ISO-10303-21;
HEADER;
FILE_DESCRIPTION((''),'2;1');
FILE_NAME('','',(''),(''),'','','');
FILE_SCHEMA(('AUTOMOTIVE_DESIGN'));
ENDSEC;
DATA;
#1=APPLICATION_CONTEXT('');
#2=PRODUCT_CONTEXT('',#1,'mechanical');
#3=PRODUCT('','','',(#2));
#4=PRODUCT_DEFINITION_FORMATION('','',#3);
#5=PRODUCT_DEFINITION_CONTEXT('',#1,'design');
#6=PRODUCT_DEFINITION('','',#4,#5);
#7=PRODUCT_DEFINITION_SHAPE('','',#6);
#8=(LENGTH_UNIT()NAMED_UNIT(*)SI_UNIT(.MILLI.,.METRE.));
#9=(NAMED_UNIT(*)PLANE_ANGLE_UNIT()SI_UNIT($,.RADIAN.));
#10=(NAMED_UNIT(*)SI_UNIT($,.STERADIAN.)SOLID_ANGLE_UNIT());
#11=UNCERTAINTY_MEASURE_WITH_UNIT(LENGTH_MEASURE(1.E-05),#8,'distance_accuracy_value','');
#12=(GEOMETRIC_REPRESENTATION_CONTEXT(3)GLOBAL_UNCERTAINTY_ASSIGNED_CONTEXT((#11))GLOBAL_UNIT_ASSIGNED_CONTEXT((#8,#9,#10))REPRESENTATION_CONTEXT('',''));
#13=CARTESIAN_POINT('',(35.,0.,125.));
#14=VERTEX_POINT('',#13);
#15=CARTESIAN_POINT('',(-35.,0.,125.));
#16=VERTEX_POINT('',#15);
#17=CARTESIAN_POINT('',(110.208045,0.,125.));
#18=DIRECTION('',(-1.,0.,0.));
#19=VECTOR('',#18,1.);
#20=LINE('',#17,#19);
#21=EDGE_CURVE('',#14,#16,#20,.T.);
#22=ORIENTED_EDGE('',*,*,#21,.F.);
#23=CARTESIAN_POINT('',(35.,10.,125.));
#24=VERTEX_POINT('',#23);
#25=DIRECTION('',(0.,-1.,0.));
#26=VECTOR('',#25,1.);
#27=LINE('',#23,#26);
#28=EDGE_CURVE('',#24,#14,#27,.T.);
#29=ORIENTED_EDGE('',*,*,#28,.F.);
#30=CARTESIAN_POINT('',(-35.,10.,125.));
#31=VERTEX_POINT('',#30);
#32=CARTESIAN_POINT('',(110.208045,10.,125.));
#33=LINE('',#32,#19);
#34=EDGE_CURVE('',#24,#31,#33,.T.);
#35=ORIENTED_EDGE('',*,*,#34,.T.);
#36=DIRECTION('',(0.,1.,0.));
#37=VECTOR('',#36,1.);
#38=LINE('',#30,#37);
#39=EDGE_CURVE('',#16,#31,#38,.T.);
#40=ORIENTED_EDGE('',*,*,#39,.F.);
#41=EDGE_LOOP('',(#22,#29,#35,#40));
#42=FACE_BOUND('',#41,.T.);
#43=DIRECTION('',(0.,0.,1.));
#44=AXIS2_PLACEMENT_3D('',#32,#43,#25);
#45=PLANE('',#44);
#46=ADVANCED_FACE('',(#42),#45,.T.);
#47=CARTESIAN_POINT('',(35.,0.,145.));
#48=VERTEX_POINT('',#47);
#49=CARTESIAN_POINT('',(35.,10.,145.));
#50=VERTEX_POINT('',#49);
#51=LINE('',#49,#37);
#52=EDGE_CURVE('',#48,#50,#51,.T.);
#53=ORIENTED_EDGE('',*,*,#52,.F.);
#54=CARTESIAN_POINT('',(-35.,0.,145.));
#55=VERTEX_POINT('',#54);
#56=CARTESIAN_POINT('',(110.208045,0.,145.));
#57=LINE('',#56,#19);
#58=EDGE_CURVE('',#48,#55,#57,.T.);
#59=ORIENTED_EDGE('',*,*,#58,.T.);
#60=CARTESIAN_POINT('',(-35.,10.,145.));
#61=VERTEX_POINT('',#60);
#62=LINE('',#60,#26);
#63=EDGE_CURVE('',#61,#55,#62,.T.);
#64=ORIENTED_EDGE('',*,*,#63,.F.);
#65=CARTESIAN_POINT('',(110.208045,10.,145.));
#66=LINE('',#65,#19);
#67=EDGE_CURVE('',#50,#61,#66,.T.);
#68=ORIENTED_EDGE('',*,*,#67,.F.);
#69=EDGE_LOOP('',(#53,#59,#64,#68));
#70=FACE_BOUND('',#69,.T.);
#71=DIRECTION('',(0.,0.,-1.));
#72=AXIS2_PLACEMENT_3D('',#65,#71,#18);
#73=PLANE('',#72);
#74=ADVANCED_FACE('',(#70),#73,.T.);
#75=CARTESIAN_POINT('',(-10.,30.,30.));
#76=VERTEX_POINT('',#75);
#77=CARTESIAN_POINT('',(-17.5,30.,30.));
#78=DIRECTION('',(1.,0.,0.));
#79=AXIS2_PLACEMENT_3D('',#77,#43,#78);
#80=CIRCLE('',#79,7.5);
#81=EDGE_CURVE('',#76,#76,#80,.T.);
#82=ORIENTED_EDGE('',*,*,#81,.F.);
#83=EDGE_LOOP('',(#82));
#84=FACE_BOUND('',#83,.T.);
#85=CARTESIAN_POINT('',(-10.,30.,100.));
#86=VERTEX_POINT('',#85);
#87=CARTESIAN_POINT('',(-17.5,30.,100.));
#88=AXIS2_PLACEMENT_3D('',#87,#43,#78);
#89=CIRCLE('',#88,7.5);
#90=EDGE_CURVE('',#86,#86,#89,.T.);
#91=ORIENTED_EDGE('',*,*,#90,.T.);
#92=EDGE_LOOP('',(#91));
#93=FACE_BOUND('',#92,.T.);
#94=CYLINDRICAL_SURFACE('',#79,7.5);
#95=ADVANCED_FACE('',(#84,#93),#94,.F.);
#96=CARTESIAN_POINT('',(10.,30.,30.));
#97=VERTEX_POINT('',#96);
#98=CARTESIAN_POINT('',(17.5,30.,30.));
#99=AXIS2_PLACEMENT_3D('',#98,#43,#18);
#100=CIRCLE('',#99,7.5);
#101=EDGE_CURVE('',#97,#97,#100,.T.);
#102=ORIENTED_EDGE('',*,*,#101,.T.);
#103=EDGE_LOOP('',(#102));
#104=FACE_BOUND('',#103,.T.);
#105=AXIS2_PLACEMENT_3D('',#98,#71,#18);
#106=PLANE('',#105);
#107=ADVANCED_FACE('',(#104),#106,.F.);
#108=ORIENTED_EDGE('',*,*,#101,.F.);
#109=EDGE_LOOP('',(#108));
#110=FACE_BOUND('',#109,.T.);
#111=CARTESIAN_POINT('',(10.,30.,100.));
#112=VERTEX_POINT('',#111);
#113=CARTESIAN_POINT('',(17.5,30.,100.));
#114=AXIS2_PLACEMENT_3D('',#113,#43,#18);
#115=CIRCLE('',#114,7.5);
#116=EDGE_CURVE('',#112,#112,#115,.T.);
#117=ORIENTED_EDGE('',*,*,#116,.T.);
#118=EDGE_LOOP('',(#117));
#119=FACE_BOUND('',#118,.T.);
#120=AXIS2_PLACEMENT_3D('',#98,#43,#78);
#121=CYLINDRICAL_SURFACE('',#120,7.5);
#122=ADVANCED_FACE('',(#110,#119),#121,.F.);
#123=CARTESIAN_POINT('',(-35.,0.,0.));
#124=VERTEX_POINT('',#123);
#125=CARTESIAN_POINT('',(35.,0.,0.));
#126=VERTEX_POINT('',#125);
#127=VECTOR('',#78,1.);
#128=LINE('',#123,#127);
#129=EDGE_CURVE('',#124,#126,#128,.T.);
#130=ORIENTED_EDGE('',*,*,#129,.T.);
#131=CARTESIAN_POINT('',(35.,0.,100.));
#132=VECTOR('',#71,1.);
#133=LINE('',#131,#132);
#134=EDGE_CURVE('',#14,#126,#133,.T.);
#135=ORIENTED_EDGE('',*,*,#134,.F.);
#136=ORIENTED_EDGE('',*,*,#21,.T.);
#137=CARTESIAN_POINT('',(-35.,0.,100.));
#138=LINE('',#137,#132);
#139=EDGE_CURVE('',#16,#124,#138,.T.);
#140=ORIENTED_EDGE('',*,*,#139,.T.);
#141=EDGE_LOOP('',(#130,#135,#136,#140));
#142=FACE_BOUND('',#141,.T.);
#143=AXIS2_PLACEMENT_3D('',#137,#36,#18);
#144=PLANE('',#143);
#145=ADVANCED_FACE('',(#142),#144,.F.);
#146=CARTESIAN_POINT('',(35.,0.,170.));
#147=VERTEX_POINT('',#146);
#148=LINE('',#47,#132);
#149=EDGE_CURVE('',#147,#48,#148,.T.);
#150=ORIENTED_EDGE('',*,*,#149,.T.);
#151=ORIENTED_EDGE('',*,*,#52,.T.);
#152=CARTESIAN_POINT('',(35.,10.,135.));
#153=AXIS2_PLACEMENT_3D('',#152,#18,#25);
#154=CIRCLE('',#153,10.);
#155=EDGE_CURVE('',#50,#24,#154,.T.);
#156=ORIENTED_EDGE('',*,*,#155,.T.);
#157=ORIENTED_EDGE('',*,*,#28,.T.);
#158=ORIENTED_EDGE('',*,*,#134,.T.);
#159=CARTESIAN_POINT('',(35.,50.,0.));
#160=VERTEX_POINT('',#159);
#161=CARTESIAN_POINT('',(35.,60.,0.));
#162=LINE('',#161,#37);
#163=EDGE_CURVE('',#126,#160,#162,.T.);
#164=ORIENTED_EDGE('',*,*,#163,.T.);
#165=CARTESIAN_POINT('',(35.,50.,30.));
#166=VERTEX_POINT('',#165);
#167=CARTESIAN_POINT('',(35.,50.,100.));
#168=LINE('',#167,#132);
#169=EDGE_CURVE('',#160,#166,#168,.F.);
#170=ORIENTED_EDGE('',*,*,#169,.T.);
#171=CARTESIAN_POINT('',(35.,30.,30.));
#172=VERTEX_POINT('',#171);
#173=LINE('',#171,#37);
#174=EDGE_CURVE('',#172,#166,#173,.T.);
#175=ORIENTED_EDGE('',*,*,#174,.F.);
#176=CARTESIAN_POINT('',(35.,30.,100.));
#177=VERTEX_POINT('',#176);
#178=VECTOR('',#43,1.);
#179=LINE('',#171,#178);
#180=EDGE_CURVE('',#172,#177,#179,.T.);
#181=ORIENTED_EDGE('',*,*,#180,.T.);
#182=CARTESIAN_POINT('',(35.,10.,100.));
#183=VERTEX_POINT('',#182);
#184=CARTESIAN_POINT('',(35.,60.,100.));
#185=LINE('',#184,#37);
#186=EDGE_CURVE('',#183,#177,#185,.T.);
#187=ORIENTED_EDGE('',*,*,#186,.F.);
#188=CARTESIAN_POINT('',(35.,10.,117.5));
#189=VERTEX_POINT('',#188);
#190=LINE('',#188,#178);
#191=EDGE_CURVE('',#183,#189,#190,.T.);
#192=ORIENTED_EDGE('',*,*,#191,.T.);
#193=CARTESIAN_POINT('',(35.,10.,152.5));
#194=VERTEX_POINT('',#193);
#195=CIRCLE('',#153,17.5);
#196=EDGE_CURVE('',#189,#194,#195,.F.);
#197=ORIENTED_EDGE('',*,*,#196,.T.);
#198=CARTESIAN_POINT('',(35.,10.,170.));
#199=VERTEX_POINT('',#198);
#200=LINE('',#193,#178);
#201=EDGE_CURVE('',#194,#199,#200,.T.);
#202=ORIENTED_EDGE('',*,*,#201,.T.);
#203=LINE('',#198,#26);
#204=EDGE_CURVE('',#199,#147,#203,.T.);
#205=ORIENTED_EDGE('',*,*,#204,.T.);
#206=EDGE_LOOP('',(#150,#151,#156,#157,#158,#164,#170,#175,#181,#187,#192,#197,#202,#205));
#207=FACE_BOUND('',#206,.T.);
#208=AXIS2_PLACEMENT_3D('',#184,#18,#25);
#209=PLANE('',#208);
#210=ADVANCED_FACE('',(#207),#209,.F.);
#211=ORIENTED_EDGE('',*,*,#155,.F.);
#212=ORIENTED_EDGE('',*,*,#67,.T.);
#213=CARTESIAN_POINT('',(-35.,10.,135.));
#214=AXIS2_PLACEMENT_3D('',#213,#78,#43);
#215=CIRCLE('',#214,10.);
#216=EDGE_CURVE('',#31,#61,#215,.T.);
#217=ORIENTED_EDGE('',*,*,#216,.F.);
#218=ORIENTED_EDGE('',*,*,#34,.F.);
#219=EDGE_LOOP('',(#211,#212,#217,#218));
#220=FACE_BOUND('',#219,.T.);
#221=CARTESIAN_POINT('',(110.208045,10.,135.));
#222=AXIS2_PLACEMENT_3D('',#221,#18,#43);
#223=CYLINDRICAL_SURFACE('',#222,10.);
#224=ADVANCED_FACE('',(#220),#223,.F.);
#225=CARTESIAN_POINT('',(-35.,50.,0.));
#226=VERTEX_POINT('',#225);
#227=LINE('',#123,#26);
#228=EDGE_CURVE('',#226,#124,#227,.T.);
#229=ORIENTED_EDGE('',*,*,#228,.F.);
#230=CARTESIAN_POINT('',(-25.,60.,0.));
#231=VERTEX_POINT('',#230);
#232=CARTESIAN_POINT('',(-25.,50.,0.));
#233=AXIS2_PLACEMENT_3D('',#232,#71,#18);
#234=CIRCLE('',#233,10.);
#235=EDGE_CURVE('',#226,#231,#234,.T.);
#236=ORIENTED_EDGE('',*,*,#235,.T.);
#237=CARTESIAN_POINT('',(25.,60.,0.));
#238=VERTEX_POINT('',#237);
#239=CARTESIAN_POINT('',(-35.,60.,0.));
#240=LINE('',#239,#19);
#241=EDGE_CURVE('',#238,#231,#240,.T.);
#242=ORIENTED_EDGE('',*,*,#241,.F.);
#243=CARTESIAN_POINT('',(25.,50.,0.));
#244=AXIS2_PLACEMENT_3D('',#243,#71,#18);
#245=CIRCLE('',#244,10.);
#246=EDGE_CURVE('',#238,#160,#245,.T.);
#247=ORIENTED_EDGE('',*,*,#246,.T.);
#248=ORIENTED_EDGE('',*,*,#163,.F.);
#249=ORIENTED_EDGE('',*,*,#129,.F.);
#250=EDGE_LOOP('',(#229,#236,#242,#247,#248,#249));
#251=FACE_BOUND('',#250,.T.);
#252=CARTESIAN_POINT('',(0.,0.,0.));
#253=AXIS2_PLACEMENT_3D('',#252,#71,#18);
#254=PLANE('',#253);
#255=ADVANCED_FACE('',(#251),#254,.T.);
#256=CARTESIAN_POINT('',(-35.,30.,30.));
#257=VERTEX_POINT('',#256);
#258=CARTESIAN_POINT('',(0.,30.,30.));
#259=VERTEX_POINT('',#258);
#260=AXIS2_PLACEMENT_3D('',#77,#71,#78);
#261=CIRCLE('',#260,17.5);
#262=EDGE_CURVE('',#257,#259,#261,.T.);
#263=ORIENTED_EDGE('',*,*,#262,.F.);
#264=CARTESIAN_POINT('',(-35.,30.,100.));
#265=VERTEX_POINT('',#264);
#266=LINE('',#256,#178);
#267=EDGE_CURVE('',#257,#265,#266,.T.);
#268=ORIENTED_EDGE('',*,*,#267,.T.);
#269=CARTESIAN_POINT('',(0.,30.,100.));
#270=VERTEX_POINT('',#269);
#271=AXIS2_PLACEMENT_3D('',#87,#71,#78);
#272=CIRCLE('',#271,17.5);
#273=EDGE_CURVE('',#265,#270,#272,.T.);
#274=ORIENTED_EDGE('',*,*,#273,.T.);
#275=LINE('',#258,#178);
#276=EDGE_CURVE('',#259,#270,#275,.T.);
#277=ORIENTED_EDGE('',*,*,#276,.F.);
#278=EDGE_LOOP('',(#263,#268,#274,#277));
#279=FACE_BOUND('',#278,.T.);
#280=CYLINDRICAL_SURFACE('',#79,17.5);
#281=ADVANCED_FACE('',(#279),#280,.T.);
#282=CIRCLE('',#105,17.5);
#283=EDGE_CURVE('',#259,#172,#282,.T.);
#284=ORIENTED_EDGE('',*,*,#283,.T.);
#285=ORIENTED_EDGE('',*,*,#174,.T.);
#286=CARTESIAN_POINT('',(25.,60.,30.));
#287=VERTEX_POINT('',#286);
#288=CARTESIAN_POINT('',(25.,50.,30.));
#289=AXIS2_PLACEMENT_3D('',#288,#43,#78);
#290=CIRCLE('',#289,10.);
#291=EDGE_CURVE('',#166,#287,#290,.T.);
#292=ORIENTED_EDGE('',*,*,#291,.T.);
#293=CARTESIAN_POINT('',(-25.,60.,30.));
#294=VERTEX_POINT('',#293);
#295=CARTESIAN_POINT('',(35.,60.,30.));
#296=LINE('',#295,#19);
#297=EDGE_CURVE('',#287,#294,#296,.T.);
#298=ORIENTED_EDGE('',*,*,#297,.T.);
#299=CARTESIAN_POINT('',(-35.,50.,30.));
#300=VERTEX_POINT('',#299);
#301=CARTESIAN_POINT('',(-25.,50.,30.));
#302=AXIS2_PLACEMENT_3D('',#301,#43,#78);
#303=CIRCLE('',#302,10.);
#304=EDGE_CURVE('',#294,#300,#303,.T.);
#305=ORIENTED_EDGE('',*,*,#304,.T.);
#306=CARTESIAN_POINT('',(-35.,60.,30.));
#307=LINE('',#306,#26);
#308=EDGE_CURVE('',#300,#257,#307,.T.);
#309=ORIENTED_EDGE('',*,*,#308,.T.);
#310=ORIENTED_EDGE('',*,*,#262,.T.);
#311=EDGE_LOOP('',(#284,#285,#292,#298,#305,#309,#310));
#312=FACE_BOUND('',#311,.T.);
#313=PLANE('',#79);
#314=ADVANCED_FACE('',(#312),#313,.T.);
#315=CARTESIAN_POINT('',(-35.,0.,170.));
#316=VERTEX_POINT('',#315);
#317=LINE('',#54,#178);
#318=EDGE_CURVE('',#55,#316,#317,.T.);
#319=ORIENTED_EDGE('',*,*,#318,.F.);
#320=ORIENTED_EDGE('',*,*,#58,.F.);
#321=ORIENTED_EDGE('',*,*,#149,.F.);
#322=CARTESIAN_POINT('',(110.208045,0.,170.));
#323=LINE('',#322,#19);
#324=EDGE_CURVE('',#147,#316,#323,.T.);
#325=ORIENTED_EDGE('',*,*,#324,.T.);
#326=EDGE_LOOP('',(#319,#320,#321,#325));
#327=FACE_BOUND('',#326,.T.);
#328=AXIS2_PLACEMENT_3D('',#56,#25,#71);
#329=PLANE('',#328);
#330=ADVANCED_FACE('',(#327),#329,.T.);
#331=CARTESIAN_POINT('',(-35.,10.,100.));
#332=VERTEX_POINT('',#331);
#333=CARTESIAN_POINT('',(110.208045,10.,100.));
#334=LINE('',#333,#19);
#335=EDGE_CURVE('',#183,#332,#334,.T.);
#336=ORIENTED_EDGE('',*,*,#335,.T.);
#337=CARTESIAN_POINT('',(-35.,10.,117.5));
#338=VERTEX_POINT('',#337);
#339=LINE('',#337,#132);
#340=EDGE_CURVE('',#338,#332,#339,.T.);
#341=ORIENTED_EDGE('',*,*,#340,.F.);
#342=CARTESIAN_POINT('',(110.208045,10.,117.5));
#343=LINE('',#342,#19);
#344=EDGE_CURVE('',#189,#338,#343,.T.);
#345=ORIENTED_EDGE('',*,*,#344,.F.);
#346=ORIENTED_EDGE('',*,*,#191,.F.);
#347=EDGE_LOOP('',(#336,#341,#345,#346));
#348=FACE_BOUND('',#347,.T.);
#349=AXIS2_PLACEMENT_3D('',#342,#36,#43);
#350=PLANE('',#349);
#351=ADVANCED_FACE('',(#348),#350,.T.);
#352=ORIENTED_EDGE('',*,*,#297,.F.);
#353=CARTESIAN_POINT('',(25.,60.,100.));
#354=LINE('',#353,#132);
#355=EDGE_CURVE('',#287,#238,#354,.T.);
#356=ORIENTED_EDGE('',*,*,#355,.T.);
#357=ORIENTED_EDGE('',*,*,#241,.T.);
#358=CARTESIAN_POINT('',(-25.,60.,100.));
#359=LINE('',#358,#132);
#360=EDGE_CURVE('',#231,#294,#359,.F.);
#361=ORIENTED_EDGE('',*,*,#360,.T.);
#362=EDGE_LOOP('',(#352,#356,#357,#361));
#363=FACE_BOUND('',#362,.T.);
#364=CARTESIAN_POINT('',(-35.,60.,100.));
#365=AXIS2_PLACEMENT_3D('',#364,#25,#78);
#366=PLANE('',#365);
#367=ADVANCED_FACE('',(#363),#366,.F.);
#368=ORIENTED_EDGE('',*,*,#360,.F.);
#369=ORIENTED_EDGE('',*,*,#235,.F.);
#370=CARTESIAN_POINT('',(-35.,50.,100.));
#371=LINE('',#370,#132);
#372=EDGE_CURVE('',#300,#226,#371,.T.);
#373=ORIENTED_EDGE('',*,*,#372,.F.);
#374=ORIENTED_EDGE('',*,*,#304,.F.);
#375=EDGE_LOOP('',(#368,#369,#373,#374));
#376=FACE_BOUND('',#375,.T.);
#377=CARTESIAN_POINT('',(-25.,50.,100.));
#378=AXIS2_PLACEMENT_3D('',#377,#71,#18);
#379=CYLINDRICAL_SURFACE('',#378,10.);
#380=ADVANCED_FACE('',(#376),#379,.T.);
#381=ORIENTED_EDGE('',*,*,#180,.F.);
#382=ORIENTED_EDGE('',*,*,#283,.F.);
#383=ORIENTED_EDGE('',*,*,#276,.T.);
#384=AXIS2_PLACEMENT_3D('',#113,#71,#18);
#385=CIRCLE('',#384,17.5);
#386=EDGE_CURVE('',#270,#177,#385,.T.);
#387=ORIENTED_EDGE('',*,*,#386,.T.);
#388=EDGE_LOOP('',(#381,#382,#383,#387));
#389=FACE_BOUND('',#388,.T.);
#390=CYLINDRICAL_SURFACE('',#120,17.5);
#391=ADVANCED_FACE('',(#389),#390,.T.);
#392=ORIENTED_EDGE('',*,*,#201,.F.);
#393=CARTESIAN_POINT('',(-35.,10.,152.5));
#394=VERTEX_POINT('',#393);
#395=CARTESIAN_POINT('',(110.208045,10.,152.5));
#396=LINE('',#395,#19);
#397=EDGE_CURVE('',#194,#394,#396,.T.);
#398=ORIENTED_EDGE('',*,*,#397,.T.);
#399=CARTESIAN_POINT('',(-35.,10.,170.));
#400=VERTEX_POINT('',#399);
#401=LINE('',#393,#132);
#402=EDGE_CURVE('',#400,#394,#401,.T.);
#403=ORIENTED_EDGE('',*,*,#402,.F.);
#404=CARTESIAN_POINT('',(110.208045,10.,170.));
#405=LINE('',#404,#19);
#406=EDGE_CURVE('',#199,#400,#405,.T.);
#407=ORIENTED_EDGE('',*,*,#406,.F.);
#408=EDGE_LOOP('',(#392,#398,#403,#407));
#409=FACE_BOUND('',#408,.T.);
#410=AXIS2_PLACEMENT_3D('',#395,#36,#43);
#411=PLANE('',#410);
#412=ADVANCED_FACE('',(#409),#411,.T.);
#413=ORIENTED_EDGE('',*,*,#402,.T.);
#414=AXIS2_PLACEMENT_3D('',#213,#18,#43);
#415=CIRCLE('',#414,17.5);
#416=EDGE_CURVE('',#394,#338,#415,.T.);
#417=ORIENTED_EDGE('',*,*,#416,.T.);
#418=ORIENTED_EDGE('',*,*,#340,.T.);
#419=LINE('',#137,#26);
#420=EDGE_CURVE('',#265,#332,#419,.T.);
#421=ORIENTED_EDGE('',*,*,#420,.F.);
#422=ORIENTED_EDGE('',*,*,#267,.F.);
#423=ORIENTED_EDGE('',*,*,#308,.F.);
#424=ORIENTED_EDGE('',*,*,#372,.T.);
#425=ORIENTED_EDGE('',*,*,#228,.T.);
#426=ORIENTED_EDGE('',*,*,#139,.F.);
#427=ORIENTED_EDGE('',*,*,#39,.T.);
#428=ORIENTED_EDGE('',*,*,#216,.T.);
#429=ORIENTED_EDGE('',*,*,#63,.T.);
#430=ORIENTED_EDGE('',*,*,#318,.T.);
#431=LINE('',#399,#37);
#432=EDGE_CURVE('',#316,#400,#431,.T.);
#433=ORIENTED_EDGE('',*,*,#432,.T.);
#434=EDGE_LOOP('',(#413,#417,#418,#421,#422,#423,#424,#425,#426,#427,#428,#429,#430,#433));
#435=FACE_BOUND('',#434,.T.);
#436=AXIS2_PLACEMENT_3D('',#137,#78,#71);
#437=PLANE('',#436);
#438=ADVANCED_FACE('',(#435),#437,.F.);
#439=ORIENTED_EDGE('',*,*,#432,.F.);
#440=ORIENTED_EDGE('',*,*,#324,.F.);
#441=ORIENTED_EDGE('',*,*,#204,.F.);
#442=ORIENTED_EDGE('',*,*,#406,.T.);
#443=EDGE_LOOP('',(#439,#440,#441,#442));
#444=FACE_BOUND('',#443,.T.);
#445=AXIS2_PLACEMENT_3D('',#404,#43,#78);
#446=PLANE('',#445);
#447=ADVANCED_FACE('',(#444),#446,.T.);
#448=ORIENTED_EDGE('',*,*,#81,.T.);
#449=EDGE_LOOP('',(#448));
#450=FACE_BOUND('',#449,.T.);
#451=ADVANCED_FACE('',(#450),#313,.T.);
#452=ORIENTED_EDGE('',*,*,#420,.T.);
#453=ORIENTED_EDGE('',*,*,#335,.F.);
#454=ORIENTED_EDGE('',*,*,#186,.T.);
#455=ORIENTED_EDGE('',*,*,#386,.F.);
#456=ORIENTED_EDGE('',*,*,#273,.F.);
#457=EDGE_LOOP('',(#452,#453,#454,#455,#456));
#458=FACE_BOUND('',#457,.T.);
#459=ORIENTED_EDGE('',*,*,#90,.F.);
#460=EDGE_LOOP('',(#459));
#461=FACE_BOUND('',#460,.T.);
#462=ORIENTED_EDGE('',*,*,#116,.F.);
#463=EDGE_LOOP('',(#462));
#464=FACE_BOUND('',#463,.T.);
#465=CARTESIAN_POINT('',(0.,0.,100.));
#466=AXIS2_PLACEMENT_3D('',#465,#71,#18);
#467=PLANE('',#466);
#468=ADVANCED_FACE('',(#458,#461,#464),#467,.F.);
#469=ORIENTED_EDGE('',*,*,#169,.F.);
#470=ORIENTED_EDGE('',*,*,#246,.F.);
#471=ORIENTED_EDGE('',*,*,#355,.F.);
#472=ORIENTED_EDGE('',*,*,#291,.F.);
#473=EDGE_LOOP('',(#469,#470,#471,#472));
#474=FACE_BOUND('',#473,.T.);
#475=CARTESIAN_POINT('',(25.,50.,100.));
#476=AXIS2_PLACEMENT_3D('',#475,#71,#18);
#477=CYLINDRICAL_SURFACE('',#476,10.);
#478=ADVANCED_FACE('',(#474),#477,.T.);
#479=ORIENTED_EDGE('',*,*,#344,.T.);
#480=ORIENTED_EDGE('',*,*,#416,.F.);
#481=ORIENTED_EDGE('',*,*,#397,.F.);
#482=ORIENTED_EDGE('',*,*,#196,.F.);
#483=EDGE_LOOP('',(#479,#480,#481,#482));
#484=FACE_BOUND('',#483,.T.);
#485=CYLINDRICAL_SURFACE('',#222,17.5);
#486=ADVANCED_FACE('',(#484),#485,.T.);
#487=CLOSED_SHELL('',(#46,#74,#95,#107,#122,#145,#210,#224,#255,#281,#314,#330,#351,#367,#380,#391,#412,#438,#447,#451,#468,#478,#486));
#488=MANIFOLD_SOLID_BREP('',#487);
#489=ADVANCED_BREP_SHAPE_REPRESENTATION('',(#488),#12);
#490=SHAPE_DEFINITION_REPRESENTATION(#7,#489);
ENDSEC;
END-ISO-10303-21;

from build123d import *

# Parameters (mm, degrees)
SKETCH2_W           = 70
SKETCH2_H           = 60
BOSS_EXTRUDE1_DEPTH = 100
SKETCH3_R           = 7.5
CUT_EXTRUDE1_DEPTH  = 70
BOSS_EXTRUDE2_DEPTH = 70
FILLET1_R           = 10


with BuildPart() as part:
    # Sketch2 → Boss-Extrude1 (new body)
    with BuildSketch(Plane.XY):
        with Locations((0, 30)):
            Rectangle(SKETCH2_W, SKETCH2_H)
    extrude(amount=BOSS_EXTRUDE1_DEPTH)

    # Sketch3 → Cut-Extrude1 (cut)
    with BuildSketch(Plane.XY.offset(100)):
        with Locations((-17.5, 30)):
            Circle(SKETCH3_R)
        with Locations(Location((17.5, 30, 0), (0, 0, 180))):
            Circle(SKETCH3_R)
        with BuildLine():
            Line((35, 60), (-35, 60))
            Line((-35, 60), (-35, 30))
            ThreePointArc((-35, 30), (-17.5, 47.5), (0, 30))
            ThreePointArc((0, 30), (17.5, 47.5), (35, 30))
            Line((35, 30), (35, 60))
        make_face()
    extrude(amount=-CUT_EXTRUDE1_DEPTH, mode=Mode.SUBTRACT)

    # Sketch4 → Boss-Extrude2 (add)
    with BuildSketch(Plane.ZY.offset(35)):
        with BuildLine():
            Line((100, 0), (125, 0))
            Line((125, 0), (125, 10))
            ThreePointArc((125, 10), (135, 20), (145, 10))
            Line((145, 10), (145, 0))
            Line((145, 0), (170, 0))
            Line((170, 0), (170, 10))
            Line((170, 10), (152.5, 10))
            ThreePointArc((152.5, 10), (135, 27.5), (117.5, 10))
            Line((117.5, 10), (100, 10))
            Line((100, 10), (100, 0))
        make_face()
    extrude(amount=-BOSS_EXTRUDE2_DEPTH)

    # Fillet1
    fillet1_edges = [part.edges().sort_by_distance(p)[0] for p in [
        (-35, 60, 15),
        (35, 60, 15),
    ]]
    fillet(fillet1_edges, radius=FILLET1_R)


solid = part.part
